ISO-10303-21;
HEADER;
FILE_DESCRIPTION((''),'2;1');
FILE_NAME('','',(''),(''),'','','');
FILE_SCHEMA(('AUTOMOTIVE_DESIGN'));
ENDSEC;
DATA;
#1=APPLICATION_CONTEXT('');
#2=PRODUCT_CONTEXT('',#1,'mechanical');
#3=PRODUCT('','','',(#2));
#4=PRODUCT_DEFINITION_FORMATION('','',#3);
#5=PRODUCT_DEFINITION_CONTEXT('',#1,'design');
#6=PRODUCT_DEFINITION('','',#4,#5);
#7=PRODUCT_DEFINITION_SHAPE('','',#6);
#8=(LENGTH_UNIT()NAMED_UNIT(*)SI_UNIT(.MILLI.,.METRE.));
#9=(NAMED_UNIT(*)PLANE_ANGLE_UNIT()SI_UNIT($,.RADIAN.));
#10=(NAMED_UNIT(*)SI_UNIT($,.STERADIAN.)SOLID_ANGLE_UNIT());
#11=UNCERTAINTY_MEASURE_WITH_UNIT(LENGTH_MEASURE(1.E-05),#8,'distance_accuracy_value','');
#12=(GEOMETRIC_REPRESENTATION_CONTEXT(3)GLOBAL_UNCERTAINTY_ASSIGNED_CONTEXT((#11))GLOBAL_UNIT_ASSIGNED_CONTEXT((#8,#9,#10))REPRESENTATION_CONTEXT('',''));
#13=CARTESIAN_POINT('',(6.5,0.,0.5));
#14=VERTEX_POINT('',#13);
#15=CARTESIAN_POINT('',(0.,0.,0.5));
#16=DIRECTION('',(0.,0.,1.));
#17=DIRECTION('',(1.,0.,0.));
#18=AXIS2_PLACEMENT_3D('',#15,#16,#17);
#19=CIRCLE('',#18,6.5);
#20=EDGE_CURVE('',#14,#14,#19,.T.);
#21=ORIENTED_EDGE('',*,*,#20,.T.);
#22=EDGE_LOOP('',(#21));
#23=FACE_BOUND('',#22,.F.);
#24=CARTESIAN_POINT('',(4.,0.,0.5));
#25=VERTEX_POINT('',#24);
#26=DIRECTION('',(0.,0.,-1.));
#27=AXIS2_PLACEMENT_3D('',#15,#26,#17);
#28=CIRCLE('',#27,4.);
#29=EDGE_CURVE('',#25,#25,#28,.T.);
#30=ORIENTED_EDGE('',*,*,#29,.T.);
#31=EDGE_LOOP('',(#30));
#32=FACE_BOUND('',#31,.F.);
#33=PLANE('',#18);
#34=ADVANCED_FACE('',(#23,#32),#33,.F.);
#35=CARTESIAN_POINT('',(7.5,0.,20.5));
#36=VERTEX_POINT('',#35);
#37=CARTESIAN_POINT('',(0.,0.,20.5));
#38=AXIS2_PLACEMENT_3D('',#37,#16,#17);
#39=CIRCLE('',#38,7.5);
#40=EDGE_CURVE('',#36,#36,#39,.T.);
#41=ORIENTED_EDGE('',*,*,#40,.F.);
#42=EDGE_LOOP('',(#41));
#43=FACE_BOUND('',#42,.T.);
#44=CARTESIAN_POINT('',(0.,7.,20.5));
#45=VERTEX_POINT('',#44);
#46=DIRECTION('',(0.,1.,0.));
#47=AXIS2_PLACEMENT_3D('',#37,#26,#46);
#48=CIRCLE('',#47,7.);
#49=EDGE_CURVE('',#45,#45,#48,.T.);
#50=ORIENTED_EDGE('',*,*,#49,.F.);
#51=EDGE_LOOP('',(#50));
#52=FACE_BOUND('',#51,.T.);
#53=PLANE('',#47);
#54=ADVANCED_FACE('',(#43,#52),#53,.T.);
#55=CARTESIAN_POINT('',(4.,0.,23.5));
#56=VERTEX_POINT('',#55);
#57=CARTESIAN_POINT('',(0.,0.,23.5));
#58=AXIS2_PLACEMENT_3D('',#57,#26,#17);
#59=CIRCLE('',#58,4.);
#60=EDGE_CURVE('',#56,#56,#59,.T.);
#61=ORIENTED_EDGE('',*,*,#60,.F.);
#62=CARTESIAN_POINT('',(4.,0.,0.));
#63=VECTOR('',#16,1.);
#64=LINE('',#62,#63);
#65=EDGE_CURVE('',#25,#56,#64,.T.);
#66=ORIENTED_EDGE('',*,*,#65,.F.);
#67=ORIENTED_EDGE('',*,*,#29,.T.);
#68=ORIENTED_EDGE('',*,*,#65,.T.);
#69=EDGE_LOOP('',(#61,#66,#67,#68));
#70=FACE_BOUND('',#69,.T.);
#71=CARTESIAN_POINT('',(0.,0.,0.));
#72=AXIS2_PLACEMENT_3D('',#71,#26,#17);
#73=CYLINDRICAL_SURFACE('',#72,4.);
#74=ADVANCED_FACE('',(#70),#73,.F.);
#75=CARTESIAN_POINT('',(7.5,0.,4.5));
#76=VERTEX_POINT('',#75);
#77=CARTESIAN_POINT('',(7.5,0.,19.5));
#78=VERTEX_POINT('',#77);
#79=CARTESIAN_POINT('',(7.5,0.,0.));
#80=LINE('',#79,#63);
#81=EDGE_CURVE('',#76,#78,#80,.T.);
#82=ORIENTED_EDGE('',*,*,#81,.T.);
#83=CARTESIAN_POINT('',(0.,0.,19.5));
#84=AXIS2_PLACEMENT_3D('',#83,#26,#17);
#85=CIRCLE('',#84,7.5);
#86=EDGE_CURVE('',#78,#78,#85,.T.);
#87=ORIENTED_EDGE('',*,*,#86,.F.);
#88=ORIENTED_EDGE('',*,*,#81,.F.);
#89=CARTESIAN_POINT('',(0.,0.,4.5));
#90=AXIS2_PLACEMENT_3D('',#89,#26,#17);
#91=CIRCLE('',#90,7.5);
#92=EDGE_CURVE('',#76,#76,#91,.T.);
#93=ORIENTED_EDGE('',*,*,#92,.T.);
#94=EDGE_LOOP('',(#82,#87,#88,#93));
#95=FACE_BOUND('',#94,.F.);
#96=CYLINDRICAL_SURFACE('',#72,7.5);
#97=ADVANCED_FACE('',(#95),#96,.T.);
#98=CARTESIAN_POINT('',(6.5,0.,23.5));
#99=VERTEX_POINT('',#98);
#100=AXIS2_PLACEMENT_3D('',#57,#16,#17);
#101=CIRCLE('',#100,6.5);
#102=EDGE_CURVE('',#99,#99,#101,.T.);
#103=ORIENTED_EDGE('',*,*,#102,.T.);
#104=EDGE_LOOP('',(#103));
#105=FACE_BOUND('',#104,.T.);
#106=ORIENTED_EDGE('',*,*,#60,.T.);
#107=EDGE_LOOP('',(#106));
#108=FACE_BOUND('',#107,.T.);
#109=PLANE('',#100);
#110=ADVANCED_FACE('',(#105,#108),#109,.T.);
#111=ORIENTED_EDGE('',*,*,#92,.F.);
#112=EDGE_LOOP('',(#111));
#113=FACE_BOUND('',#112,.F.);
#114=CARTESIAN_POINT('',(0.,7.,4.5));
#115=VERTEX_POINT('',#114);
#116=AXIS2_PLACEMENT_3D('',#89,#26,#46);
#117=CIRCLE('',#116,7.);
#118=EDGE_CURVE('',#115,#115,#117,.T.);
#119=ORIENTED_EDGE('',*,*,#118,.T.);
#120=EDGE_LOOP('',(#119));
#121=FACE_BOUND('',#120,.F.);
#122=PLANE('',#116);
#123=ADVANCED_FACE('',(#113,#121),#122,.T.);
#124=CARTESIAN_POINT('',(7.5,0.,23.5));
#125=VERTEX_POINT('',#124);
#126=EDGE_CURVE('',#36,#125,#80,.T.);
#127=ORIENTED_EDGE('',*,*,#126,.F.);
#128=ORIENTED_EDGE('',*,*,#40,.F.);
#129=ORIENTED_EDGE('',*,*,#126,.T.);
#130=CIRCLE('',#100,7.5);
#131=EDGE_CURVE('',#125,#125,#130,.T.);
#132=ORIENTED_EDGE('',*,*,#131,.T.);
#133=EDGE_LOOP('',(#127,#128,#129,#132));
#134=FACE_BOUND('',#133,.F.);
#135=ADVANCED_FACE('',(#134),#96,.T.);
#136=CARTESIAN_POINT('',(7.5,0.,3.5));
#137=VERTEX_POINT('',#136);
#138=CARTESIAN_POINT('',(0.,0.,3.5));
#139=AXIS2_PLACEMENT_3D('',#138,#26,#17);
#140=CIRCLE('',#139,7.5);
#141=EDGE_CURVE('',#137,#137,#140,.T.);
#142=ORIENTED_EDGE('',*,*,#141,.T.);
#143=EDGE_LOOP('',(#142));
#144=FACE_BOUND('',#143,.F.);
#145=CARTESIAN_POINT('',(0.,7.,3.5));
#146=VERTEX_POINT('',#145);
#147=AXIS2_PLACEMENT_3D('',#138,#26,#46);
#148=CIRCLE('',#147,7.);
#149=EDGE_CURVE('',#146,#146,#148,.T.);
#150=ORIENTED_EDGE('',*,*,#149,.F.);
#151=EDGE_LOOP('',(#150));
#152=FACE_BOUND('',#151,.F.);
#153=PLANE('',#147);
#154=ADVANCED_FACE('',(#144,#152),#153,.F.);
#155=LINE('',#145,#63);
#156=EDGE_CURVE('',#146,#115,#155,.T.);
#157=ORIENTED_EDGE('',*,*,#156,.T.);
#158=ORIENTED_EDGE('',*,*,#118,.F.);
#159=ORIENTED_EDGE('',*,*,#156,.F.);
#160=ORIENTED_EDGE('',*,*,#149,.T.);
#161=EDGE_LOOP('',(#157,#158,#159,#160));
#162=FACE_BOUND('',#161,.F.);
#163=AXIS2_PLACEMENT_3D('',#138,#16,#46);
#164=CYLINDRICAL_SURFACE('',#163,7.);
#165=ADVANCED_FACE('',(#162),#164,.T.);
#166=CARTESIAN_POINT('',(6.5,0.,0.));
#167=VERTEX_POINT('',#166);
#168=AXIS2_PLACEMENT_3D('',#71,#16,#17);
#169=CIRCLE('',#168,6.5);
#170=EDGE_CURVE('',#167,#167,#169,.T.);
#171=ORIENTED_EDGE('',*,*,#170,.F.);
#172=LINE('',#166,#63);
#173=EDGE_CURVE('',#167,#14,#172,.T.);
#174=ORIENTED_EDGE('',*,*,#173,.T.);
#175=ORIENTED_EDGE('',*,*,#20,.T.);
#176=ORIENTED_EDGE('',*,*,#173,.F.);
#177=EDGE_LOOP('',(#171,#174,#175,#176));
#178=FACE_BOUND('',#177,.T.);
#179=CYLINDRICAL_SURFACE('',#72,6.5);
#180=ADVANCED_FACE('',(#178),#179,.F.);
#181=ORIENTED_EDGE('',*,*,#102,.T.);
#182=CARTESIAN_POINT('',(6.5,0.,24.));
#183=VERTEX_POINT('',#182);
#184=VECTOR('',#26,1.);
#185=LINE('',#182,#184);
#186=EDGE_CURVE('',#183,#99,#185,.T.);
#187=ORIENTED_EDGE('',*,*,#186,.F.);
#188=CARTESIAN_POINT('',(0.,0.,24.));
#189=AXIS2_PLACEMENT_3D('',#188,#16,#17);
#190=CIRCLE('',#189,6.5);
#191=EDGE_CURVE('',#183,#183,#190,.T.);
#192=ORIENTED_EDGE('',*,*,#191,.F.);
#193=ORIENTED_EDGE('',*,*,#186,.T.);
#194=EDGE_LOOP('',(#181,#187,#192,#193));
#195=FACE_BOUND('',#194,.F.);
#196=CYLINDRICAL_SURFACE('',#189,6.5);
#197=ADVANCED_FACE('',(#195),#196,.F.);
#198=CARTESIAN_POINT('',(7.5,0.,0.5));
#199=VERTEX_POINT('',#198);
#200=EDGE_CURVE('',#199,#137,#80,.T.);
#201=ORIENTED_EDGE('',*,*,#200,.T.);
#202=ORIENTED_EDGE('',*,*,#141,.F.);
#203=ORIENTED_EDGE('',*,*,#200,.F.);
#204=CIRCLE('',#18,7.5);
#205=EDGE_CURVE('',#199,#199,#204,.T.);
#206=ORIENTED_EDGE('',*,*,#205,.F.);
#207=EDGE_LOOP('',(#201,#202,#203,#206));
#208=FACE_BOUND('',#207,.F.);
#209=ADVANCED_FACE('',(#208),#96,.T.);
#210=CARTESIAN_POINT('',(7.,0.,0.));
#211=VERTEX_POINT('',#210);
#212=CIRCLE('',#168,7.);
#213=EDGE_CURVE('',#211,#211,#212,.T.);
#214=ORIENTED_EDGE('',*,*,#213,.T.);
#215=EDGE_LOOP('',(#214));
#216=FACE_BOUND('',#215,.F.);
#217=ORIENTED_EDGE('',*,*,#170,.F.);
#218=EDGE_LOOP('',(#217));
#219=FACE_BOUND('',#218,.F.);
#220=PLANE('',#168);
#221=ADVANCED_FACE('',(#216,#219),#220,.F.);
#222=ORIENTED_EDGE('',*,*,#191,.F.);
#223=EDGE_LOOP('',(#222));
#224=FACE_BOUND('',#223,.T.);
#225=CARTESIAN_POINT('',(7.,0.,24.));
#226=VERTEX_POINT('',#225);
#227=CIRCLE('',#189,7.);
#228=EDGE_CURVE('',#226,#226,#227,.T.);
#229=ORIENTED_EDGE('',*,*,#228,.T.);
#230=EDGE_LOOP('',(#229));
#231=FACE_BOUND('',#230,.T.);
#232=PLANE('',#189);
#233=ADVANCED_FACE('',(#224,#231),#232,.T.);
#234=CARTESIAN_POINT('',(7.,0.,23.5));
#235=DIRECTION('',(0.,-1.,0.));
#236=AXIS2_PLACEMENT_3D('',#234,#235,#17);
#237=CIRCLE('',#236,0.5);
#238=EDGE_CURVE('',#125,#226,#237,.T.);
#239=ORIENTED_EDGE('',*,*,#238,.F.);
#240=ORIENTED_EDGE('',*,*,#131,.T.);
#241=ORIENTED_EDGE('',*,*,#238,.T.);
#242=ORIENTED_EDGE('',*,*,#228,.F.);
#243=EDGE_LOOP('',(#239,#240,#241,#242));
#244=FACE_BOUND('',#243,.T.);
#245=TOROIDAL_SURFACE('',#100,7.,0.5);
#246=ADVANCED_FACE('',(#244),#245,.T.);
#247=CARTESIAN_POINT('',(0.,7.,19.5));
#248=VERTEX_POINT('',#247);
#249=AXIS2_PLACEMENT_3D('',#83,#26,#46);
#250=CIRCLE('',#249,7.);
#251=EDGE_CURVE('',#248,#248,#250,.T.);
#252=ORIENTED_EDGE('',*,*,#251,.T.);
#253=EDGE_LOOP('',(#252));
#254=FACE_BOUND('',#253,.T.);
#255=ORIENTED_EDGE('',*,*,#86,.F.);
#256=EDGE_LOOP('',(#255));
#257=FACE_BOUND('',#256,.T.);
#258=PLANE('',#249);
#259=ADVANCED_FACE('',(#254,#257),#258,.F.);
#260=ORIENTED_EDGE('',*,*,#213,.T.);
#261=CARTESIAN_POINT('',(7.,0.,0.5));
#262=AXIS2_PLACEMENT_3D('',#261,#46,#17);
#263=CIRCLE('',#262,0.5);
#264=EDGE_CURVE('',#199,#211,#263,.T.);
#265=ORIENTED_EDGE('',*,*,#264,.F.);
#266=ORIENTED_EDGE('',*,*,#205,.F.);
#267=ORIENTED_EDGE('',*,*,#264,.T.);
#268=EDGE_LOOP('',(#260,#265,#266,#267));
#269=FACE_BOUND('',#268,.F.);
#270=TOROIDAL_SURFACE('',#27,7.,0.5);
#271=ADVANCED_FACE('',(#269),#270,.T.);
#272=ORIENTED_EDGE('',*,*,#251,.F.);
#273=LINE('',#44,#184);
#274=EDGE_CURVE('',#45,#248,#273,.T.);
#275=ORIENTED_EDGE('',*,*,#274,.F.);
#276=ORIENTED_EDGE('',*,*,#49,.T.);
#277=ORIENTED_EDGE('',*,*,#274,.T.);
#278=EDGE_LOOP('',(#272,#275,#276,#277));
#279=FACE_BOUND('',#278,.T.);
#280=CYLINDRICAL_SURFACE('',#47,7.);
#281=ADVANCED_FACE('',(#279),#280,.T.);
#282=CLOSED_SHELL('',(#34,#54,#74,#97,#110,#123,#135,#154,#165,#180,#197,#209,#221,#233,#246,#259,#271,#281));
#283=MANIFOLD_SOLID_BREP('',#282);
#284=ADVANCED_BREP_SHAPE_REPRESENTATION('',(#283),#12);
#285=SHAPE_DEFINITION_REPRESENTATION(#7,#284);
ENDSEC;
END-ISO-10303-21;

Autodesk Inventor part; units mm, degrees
ref_plane "YZ Plane" through (0, 0, 0) normal (1, 0, 0) x (0, 1, 0)
ref_plane "XZ Plane" through (0, 0, 0) normal (0, 1, 0) x (-1, 0, 0)
ref_plane "XY Plane" through (0, 0, 0) normal (0, 0, 1) x (1, 0, 0)
sketch "Sketch1" plane through (0, 0, 0) normal (0, 0, 1) x (1, 0, 0)
  circle A0 centre (0, 0) radius 4
  circle A1 centre (0, 0) radius 7.5
  dimension "d2" = 8
  dimension "d3" = 15
extrude "Extrusion1" add sketch "Sketch1" along normal blind 24
fillet "Fillet1" radius 0.5 2 edges at (-7.5, 0, 24) (-7.5, 0, 0)
sketch "Sketch2" plane through (0, 0, 0) normal (1, 0, 0) x (0, 1, 0)
  arc A0 (7, 0) -> (7.5, 0.5) centre (7, 0.5) ccw projected
  line L0 (7, 0) -> (4, 0) projected
  line L1 (4, 0) -> (4, 24) projected
  line L2 (4, 24) -> (7, 24) projected
  arc A1 (7.5, 23.5) -> (7, 24) centre (7, 23.5) ccw projected
  line L3 (7.5, 23.5) -> (7.5, 0.5) projected
  arc A2 (-7.5, 0.5) -> (-7, 0) centre (-7, 0.5) ccw projected
  line L4 (-7.5, 0.5) -> (-7.5, 23.5) projected
  arc A3 (-7, 24) -> (-7.5, 23.5) centre (-7, 23.5) ccw projected
  line L5 (-7, 24) -> (-4, 24) projected
  line L6 (-4, 24) -> (-4, 0) projected
  line L7 (-4, 0) -> (-7, 0) projected
  line L8 (7.5, 0.5) -> (7.5, 23.5) projected
  line L9 (7.5, 20.5) -> (7, 20.5)
  line L10 (7, 20.5) -> (7, 19.5)
  line L11 (7, 19.5) -> (7.5, 19.5)
  line L12 (7.5, 12) -> (4, 12) construction
  line L13 (7.5, 3.5) -> (7, 3.5)
  line L14 (7, 3.5) -> (7, 4.5)
  line L15 (7, 4.5) -> (7.5, 4.5)
  line L16 (-4, 24) -> (4, 24) construction
  line L17 (0, 24) -> (0, 0) construction
  point P0 (7.5, 3.5)
  point P1 (7.5, 4.5)
  dimension "d5" = 3.5
  dimension "d6" = 1
  dimension "d7" = 0.5
revolve "Revolution1" cut sketch "Sketch2" angle 360 about axis through (0, 0, 24) along (0, 0, -1) contours L13 L14 L15 L3 | L11 L10 L9 L3
sketch "Sketch3" plane through (0, 0, 24) normal (0, 0, 1) x (1, 0, 0)
  circle A0 centre (0, 0) radius 6.5
  circle A1 centre (0, 0) radius 7.5 projected
  dimension "d9" = 1
extrude "Extrusion2" cut sketch "Sketch3" against normal blind 0.5 contours A0
extrude "Extrusion3" cut sketch "Sketch3" along normal blind 0.5 from surface at -24 contours A0
properties part number "berring" material "Aluminum 6061"
